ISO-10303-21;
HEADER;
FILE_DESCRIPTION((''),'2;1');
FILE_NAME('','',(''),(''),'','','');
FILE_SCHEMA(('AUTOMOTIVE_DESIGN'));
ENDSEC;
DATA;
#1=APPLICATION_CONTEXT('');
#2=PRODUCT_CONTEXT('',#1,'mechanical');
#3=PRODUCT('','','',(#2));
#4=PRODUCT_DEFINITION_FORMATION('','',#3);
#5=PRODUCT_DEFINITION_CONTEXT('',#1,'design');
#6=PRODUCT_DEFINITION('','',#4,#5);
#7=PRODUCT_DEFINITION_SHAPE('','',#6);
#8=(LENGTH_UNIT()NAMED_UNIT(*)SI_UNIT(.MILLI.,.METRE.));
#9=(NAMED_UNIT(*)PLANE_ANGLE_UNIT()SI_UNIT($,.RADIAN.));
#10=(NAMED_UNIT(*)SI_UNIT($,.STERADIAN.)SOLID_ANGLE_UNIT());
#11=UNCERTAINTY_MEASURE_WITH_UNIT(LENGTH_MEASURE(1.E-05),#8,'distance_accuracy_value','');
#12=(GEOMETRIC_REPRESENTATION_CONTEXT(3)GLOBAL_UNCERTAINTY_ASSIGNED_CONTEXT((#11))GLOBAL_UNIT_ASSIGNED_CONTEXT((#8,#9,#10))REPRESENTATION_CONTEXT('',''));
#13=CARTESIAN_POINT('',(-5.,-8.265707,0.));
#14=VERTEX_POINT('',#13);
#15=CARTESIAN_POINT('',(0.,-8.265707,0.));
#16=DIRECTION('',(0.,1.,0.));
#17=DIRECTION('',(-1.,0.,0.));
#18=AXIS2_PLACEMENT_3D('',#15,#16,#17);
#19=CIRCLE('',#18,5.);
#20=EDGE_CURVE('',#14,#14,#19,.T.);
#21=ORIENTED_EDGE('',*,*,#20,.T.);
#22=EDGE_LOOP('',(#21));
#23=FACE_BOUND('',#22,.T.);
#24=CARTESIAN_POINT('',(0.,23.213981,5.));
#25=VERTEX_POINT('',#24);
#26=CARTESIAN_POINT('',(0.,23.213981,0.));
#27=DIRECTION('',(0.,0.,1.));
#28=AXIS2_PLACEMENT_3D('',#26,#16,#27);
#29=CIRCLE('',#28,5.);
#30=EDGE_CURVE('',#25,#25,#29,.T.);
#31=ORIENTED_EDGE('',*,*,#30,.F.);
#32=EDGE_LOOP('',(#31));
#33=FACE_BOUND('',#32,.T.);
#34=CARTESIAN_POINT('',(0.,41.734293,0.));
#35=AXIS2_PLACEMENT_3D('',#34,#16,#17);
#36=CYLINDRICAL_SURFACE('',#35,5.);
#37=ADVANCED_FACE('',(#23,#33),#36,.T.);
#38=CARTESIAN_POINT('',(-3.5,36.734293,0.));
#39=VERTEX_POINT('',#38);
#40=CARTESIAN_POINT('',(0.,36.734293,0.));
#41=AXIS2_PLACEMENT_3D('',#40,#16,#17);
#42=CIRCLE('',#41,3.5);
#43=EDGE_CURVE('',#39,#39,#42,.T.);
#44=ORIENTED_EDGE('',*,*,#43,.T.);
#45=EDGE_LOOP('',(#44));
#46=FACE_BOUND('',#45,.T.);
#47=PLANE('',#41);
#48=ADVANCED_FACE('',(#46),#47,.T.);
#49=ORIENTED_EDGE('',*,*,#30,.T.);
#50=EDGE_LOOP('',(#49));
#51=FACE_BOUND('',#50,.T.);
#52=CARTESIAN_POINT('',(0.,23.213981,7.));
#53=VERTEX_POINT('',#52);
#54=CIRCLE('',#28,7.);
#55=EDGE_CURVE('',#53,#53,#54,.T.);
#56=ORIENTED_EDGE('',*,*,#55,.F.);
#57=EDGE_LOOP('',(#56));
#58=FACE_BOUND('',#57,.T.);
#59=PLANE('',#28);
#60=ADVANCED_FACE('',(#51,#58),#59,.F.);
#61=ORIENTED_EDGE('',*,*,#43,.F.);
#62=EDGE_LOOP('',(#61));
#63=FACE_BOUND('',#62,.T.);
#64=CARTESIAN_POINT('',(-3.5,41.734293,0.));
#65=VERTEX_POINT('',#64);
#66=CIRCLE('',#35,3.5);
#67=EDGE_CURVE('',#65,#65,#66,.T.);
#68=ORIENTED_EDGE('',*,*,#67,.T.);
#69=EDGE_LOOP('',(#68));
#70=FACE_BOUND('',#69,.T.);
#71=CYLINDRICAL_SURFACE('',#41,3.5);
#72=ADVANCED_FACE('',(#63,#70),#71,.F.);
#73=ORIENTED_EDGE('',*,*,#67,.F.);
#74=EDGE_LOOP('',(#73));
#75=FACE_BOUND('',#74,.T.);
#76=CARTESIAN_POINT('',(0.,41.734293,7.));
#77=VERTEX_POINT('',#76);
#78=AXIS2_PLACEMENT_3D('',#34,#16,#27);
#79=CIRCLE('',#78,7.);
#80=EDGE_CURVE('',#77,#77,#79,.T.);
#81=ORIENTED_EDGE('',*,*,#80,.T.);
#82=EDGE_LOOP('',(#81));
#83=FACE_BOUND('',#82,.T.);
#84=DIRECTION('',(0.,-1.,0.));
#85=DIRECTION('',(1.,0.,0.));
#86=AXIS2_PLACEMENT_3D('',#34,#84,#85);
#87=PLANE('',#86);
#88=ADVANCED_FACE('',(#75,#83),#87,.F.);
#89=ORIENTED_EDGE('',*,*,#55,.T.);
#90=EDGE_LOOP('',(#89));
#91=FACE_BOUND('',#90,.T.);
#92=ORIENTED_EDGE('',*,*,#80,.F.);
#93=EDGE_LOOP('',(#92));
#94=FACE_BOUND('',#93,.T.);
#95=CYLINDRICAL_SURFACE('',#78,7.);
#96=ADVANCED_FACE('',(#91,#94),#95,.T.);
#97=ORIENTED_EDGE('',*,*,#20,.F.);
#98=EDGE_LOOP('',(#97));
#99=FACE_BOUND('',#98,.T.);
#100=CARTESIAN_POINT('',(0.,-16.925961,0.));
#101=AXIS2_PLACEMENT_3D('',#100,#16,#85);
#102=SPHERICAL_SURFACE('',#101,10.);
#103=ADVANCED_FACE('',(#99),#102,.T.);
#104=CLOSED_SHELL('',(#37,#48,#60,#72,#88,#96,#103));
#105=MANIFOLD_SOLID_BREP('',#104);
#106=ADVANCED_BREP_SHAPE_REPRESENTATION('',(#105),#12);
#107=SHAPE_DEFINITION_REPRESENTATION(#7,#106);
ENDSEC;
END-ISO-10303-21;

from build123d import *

# Parameters (mm, degrees)
SKETCH3_W          = 7
SKETCH3_H          = 18.520312213
SKETCH4_R          = 3.5
CUT_EXTRUDE1_DEPTH = 5


with BuildPart() as part:
    # Sketch1 → Revolve1 (revolve)
    with BuildSketch(Plane.XY, mode=Mode.PRIVATE) as revolve1_sk:
        with BuildLine():
            Line((0, 41.73429327), (5, 41.73429327))
            Line((5, 41.73429327), (5, -8.26570673))
            ThreePointArc((5, -8.26570673), (9.659258263, -19.514151219), (0, -26.925960768))
            Line((0, -26.925960768), (0, 41.73429327))
        make_face()
    revolve(revolve1_sk.sketch.rotate(Axis((0, 41.73429327, 0), (0, -1, 0)), 180), axis=Axis((0, 41.73429327, 0), (0, -1, 0)))

    # Sketch3 → Revolve3 (revolve)
    with BuildSketch(Plane.XY, mode=Mode.PRIVATE) as revolve3_sk:
        with Locations((3.5, 32.474137164)):
            Rectangle(SKETCH3_W, SKETCH3_H)
    revolve(revolve3_sk.sketch.rotate(Axis((0, 41.73429327, 0), (0, -1, 0)), 90), axis=Axis((0, 41.73429327, 0), (0, -1, 0)))

    # Sketch4 → Cut-Extrude1 (cut)
    with BuildSketch(Plane(origin=(0, 41.73429327, 0), x_dir=(1, 0, 0), z_dir=(0, 1, 0))):
        with Locations(Location((0, 0, 0), (0, 0, 180))):
            Circle(SKETCH4_R)
    extrude(amount=-CUT_EXTRUDE1_DEPTH, mode=Mode.SUBTRACT)


solid = part.part
